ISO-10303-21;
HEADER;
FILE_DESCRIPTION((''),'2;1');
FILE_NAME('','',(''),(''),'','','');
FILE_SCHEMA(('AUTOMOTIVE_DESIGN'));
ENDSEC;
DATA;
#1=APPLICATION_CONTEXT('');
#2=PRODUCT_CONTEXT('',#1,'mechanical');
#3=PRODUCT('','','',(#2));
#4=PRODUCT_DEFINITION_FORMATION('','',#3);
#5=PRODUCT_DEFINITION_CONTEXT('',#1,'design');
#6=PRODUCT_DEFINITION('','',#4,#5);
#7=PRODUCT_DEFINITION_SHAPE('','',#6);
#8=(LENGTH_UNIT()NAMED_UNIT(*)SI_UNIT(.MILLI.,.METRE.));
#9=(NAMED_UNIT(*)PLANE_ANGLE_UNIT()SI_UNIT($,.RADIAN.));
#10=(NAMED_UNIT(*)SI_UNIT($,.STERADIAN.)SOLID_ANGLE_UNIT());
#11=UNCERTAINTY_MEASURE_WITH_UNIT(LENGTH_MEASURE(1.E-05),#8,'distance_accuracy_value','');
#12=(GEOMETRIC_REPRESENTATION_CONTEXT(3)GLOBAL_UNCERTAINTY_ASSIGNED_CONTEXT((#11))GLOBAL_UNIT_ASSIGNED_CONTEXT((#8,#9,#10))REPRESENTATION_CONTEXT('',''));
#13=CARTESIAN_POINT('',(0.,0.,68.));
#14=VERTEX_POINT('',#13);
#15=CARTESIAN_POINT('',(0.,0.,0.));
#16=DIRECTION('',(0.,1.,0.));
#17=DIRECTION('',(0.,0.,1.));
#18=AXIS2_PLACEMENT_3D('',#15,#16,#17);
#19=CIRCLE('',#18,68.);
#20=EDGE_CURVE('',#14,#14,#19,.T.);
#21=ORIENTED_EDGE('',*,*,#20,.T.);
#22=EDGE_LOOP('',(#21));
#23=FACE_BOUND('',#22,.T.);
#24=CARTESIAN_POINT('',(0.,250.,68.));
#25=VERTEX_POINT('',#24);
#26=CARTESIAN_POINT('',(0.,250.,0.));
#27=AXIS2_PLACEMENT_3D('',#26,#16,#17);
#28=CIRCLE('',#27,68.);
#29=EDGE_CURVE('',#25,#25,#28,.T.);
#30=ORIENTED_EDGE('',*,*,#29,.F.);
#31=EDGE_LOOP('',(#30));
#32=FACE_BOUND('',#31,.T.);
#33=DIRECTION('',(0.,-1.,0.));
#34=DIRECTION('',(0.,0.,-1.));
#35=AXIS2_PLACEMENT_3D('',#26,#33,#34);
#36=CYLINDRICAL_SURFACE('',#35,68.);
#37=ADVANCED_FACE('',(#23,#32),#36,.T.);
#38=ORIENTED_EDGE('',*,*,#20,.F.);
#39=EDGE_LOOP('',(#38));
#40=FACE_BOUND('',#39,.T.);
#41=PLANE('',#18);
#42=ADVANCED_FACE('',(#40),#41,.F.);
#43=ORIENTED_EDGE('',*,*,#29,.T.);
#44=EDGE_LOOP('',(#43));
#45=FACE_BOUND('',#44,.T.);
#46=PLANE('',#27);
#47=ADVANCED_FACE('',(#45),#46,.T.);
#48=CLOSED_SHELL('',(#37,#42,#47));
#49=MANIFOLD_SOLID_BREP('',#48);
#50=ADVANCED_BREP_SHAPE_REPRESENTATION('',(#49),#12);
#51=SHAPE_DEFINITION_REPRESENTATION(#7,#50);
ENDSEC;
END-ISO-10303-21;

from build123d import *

# Parameters (mm, degrees)
SKETCH2_R           = 68
BOSS_EXTRUDE3_DEPTH = 250


with BuildPart() as part:
    # Sketch2 → Boss-Extrude3 (new body)
    with BuildSketch(Plane(origin=(0, 0, 0), x_dir=(1, 0, 0), z_dir=(0, 1, 0))):
        with Locations(Location((0, 0, 0), (0, 0, 270))):
            Circle(SKETCH2_R)
    extrude(amount=BOSS_EXTRUDE3_DEPTH)


solid = part.part
